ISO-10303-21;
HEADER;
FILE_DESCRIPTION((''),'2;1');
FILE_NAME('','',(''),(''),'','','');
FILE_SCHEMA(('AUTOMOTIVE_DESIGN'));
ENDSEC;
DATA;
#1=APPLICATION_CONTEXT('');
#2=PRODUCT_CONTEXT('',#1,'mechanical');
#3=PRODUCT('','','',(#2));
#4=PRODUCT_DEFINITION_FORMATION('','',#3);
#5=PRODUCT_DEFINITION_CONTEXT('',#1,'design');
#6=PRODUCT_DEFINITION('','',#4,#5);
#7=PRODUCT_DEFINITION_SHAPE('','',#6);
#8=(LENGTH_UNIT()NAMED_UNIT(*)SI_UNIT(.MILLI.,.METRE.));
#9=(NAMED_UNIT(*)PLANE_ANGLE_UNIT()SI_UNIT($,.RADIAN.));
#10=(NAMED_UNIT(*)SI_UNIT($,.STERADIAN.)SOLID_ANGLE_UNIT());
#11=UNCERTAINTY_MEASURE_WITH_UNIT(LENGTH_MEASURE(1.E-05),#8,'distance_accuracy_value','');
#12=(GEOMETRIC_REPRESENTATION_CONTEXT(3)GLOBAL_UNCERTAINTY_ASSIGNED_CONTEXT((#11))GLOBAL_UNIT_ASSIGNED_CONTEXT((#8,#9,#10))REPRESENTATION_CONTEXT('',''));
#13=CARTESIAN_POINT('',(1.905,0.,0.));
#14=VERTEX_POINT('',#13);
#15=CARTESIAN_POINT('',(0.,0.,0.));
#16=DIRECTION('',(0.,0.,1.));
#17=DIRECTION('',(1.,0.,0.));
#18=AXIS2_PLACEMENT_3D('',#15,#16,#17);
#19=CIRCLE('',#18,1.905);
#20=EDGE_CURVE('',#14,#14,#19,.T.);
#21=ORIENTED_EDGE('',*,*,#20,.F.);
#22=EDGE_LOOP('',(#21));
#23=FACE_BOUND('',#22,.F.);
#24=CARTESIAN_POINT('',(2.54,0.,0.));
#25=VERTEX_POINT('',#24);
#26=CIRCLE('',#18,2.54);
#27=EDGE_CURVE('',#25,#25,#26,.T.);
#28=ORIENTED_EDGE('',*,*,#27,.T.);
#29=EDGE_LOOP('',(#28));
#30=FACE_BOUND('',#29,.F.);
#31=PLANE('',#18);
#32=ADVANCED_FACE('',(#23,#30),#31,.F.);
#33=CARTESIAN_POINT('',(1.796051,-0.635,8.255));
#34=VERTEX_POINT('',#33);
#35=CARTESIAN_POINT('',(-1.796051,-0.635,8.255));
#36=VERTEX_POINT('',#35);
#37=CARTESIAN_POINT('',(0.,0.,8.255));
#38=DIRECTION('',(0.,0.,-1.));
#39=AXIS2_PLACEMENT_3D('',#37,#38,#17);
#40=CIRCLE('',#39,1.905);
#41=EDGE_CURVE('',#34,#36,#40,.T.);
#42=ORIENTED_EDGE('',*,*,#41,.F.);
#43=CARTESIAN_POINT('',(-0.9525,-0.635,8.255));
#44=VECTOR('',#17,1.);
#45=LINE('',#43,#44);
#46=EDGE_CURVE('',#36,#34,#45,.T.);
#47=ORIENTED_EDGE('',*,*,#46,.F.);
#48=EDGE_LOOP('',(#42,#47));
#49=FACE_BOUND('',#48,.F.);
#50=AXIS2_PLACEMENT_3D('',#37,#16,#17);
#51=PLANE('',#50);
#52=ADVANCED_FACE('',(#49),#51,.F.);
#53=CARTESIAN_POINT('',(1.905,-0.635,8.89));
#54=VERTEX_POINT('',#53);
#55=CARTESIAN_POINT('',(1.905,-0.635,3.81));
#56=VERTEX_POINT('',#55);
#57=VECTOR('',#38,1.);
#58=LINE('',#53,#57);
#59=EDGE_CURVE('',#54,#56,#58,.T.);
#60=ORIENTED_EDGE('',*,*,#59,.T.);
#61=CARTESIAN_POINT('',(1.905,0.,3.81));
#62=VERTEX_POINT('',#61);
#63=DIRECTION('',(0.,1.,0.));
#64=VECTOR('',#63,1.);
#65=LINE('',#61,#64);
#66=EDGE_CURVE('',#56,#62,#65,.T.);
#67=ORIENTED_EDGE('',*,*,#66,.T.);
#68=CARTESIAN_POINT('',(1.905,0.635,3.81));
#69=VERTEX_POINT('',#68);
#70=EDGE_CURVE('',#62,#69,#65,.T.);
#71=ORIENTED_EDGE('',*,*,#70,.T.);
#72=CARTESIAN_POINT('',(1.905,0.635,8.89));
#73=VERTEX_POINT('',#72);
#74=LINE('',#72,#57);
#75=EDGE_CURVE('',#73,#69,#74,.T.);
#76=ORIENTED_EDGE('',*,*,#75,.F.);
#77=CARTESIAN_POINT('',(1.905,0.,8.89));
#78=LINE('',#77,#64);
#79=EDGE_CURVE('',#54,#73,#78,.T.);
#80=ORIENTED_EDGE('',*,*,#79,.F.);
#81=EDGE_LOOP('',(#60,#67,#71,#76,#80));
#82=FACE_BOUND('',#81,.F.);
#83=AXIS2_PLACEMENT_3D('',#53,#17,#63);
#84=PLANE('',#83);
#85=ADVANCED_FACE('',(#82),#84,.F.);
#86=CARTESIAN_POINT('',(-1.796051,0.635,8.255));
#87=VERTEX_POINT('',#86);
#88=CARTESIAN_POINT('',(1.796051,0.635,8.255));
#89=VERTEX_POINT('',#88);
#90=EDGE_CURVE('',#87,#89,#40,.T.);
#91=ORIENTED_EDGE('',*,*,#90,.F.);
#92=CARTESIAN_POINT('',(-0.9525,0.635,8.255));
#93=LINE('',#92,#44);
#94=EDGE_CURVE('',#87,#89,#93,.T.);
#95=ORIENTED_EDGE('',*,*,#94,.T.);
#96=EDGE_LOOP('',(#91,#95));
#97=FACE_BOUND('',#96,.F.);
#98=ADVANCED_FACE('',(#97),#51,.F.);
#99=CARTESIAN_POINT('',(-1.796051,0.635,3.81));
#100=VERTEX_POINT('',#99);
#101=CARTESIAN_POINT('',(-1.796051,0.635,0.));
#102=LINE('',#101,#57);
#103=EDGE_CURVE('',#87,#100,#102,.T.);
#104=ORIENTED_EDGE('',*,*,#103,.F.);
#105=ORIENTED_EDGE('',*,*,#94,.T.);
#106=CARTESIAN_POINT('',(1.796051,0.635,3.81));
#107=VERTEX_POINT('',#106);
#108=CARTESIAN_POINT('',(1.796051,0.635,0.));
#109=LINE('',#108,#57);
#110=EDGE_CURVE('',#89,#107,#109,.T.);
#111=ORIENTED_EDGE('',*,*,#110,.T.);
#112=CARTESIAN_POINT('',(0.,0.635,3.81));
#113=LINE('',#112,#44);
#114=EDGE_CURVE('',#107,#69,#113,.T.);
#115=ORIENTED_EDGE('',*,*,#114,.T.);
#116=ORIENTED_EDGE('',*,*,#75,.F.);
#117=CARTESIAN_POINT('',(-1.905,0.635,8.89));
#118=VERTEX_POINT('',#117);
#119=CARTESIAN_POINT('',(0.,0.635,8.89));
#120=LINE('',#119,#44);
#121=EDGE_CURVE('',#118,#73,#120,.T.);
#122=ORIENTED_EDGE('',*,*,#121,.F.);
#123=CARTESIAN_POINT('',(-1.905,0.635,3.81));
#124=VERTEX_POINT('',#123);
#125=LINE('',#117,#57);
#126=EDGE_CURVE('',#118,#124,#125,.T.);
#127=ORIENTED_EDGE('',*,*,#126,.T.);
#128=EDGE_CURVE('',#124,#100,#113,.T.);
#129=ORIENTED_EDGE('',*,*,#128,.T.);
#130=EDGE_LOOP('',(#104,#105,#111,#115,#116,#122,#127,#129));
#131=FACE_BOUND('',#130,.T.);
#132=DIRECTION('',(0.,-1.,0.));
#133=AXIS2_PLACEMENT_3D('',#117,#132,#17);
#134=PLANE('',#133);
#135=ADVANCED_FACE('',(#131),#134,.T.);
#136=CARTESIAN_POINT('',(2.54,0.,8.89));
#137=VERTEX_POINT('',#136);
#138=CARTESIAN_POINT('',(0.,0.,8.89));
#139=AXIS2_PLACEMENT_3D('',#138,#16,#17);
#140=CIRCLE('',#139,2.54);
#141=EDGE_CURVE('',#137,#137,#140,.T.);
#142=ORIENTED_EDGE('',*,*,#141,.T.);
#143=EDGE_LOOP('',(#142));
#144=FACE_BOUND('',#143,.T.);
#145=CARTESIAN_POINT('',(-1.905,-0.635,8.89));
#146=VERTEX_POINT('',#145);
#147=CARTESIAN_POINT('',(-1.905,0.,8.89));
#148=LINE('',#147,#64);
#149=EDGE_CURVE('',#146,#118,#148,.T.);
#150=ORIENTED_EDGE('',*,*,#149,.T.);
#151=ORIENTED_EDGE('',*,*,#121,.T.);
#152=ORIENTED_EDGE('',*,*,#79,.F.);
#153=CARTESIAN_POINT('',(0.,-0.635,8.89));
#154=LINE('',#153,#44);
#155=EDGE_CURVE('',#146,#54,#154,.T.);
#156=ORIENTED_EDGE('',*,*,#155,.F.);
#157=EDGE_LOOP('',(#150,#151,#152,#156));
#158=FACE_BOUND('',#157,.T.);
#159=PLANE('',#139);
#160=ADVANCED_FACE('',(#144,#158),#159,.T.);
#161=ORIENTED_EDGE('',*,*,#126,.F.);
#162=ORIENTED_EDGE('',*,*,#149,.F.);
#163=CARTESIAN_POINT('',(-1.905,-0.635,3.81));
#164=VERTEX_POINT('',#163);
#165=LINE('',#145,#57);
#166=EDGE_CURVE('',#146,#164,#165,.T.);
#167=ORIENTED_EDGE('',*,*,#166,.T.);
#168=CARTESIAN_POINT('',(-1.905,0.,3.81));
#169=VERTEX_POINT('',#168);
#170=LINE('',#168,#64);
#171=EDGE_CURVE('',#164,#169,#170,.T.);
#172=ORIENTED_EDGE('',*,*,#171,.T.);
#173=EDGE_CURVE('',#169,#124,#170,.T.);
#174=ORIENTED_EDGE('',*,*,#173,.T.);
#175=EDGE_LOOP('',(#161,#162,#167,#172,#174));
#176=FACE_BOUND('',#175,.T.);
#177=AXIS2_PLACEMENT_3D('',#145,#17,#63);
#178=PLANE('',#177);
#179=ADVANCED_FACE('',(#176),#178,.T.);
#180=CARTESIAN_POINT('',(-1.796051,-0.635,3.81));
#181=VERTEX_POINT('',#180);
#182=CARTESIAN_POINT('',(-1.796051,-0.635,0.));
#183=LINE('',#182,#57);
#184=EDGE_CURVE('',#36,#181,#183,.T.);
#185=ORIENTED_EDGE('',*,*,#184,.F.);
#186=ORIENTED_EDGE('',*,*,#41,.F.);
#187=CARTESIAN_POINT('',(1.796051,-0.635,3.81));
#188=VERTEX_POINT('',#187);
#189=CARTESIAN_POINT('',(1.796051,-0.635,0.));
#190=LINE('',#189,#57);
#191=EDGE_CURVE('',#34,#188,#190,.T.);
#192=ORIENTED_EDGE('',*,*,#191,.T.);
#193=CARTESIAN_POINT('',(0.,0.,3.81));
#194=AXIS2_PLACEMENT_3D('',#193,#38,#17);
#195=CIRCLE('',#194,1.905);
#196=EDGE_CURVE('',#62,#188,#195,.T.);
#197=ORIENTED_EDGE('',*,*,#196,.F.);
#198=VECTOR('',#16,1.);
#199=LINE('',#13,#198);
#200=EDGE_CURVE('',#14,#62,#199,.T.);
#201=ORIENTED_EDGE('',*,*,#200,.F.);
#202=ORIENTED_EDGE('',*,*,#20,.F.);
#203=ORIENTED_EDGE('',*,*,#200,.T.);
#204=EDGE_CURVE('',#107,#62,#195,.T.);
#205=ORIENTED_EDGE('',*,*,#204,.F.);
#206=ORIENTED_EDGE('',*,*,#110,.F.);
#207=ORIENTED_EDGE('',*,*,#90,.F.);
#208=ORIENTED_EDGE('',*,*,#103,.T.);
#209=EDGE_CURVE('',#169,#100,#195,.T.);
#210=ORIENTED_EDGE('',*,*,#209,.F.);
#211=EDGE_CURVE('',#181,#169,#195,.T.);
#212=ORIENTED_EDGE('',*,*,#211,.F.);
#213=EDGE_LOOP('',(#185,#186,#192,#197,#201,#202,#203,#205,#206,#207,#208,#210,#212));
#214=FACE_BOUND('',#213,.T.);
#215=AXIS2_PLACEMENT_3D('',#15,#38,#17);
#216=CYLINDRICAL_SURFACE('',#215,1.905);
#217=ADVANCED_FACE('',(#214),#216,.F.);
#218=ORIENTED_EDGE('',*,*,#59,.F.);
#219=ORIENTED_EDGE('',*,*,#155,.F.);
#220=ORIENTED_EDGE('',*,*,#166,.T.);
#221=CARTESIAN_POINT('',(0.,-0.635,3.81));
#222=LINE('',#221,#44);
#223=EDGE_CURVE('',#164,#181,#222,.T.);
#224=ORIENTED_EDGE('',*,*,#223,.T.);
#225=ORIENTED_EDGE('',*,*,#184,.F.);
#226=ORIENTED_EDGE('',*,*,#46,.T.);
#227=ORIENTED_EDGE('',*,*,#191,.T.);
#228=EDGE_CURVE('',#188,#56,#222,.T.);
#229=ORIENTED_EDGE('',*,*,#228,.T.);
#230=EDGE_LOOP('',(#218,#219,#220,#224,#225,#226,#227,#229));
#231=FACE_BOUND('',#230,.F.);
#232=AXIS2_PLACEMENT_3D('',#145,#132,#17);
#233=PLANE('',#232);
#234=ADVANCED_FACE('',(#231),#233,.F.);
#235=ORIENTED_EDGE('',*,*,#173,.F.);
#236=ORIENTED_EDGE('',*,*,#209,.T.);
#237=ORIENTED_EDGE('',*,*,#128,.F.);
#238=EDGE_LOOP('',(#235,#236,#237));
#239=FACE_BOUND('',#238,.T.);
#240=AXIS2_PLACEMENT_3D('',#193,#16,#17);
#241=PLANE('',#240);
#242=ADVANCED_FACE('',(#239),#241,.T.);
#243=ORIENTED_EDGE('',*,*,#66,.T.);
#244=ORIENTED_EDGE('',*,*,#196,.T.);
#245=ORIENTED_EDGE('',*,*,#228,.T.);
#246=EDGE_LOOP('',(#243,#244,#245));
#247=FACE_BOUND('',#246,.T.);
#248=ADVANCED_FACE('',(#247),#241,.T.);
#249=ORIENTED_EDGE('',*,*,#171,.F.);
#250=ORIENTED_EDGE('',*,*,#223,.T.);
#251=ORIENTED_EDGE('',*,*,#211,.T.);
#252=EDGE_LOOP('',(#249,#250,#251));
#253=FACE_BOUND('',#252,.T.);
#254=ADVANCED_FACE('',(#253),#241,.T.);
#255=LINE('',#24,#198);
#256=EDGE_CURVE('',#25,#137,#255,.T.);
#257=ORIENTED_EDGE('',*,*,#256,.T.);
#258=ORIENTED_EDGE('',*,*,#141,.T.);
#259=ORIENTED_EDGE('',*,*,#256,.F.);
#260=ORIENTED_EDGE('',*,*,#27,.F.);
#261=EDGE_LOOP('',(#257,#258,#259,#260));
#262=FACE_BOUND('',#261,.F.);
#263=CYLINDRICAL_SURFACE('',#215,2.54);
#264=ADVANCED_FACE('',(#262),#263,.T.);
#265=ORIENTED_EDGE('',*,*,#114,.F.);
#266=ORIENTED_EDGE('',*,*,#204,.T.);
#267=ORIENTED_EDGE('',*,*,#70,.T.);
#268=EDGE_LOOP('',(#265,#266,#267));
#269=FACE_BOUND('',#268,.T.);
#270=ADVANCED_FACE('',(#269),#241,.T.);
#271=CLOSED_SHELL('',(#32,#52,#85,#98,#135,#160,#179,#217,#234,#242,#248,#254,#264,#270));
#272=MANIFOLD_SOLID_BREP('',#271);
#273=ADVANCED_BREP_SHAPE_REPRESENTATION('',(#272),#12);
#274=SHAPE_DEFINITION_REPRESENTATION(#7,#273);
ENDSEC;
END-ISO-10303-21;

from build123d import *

# Parameters (mm, degrees)
F0_R     = 2.54
F1_DEPTH = 8.89
F2_T     = -0.635
F3_W     = 3.81
F3_H     = 1.27
F4_DEPTH = 5.08


with BuildPart() as f1:
    # F0 (on Top) → F1 (new body)
    with BuildSketch(Plane.XY):
        Circle(F0_R)
    extrude(amount=F1_DEPTH)

    # F2
    f2_openings = [f1.faces().sort_by_distance(p)[0] for p in [
        (0, 0, 0),
    ]]
    offset(amount=F2_T, openings=f2_openings)

    # F3 (on face) → F4 (cut)
    with BuildSketch(Plane.XY.offset(8.89)):
        Rectangle(F3_W, F3_H)
    extrude(amount=-F4_DEPTH, mode=Mode.SUBTRACT)


solid = f1.part
